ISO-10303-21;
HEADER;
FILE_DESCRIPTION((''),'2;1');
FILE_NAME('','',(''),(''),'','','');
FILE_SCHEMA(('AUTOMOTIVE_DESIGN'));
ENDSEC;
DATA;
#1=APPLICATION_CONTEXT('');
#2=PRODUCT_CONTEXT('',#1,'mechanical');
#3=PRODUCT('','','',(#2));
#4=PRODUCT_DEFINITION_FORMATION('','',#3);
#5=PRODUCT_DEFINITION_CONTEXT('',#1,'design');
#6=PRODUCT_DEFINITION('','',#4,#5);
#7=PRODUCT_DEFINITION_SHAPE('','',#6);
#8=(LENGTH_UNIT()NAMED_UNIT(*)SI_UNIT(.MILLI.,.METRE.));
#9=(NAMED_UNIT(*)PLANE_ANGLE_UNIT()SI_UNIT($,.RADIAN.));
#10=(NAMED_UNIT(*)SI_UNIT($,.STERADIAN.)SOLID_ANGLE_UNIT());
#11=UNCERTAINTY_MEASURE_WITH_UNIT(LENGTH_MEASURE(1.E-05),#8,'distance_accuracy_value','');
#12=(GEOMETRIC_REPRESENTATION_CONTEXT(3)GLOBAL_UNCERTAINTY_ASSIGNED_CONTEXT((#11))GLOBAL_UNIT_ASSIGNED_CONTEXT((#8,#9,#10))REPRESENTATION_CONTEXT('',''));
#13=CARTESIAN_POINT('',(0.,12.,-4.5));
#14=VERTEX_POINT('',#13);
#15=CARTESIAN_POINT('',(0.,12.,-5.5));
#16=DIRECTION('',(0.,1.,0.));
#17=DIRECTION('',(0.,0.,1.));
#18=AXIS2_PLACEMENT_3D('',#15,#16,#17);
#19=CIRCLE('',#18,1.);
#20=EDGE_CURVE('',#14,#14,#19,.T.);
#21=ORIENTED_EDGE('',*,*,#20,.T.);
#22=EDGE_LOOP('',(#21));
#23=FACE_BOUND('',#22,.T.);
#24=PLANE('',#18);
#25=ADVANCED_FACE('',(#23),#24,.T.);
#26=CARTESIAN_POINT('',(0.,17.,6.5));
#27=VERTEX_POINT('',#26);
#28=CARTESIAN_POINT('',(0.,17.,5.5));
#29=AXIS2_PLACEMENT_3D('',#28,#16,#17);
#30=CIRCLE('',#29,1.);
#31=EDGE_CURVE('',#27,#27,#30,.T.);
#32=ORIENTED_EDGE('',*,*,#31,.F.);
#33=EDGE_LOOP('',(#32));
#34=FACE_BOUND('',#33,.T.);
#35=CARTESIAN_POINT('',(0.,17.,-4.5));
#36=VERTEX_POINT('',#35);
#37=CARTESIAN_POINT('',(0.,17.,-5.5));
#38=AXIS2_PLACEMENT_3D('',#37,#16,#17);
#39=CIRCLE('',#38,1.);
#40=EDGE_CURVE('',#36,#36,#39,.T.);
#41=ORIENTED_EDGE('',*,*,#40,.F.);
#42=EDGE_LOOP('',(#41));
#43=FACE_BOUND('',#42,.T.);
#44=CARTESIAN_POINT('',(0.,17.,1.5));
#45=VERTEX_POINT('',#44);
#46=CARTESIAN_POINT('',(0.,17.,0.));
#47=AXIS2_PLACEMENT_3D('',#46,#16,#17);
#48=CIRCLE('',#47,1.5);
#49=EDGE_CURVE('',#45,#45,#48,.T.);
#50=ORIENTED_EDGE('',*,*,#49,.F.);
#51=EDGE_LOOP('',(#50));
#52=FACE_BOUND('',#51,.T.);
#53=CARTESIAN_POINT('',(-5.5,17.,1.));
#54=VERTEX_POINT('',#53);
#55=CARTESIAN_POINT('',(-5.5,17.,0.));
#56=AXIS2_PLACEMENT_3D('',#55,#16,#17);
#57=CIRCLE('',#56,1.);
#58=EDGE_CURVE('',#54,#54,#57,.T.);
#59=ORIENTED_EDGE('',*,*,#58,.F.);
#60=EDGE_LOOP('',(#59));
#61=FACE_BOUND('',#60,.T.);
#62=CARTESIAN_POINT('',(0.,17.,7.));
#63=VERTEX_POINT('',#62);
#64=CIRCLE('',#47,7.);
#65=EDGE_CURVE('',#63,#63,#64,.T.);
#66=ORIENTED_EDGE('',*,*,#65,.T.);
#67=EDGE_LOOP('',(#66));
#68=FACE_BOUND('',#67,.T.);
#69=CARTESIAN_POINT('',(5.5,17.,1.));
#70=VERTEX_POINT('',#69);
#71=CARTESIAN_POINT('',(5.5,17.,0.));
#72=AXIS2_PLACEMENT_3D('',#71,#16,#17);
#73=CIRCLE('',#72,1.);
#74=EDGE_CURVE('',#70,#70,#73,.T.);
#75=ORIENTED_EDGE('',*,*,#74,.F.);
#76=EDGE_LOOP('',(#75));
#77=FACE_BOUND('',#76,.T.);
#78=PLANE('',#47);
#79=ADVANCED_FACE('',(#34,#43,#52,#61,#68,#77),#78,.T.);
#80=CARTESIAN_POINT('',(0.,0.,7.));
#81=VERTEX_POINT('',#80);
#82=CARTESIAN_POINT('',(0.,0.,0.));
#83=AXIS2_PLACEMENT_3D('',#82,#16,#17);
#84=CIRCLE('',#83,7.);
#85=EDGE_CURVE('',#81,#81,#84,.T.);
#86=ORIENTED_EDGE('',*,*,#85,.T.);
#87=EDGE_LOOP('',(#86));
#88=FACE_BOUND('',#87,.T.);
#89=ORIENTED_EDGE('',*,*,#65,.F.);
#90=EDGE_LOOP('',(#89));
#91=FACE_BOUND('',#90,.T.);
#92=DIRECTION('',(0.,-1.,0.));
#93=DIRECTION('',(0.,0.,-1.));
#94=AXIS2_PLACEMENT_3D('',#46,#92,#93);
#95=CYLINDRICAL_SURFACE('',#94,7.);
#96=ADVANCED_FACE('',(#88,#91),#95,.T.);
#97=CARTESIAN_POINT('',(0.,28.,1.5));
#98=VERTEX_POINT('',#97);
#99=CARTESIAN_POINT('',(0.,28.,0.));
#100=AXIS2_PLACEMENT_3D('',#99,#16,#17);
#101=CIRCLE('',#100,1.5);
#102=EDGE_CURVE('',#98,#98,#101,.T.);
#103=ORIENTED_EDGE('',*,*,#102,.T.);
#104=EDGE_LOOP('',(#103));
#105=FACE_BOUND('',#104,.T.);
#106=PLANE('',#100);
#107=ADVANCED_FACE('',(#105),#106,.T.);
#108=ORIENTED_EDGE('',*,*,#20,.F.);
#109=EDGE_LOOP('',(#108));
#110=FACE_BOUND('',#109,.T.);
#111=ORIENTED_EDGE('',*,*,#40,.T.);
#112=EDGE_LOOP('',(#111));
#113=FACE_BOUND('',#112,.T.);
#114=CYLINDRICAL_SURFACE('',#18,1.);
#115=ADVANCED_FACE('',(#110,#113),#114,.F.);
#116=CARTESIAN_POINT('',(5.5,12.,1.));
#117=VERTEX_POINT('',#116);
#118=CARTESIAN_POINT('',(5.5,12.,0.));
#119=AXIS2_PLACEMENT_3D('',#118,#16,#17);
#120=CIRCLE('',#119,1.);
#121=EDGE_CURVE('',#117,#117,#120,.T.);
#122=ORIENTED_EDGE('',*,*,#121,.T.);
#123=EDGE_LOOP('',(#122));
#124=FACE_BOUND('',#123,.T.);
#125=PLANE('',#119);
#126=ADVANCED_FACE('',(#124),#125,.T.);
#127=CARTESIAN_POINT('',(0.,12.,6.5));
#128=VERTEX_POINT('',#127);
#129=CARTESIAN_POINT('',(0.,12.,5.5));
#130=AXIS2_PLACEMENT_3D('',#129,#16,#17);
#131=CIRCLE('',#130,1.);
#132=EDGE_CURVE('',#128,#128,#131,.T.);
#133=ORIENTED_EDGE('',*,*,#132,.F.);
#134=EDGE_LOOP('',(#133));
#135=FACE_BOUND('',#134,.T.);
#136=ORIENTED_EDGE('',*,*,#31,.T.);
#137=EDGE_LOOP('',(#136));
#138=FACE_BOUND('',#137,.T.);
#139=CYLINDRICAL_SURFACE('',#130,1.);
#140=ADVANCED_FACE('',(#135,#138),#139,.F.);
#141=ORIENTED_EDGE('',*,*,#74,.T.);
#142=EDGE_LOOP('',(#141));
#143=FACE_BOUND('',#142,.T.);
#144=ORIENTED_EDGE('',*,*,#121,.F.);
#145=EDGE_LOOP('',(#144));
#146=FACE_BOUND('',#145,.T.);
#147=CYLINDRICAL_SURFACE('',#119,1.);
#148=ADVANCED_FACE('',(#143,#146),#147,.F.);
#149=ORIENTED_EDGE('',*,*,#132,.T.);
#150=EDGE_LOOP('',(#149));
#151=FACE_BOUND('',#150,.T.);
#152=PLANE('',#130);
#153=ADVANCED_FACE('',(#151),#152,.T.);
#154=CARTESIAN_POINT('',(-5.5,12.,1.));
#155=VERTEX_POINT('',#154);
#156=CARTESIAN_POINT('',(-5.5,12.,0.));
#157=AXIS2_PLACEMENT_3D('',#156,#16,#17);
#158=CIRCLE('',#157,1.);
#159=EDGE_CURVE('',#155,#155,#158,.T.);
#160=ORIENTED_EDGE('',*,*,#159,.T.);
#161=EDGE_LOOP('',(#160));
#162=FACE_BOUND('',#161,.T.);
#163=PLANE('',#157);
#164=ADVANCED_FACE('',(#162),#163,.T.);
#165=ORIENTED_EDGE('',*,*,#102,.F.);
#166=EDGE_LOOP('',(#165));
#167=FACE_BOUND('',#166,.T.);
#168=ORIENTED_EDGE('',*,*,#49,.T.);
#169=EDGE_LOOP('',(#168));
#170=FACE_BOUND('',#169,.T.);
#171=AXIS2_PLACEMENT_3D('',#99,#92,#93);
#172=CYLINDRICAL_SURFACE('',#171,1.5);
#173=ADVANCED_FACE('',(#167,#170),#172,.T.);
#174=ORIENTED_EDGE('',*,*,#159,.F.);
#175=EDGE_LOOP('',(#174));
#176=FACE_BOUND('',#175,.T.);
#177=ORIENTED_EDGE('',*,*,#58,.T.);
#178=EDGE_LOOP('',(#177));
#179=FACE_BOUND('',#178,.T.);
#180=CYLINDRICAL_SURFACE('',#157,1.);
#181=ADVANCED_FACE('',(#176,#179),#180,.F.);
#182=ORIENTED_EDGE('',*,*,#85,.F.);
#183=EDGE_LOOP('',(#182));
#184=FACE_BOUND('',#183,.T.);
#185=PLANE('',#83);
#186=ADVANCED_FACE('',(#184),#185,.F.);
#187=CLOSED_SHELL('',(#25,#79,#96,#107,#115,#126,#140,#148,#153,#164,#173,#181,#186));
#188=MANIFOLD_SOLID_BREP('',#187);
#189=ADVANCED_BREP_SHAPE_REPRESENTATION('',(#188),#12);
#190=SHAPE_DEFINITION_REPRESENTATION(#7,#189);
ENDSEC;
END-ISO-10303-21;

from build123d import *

# Parameters (mm, degrees)
SKETCH_1_R          = 7
EXTRUDE_1_DEPTH     = 17
SKETCH_2_R          = 1.5
EXTRUDE_3_DEPTH     = 11
SKETCH_4_R          = 1
CUT_EXTRUDE_1_DEPTH = 5


with BuildPart() as part:
    # 草图1 → 凸台-拉伸1 (new body)
    with BuildSketch(Plane(origin=(0, 0, 0), x_dir=(1, 0, 0), z_dir=(0, 1, 0))):
        with Locations(Location((0, 0, 0), (0, 0, 270))):
            Circle(SKETCH_1_R)
    extrude(amount=EXTRUDE_1_DEPTH)

    # 草图2 → 凸台-拉伸3 (add)
    with BuildSketch(Plane(origin=(0, 17, 0), x_dir=(1, 0, 0), z_dir=(0, 1, 0))):
        with Locations(Location((0, 0, 0), (0, 0, 270))):
            Circle(SKETCH_2_R)
    extrude(amount=EXTRUDE_3_DEPTH)

    # 草图4 → 切除-拉伸1 (cut)
    with BuildSketch(Plane(origin=(0, 17, 0), x_dir=(1, 0, 0), z_dir=(0, 1, 0))):
        with Locations(Location((0, -5.5, 0), (0, 0, 270))):
            Circle(SKETCH_4_R)
        with Locations(Location((-5.5, 0, 0), (0, 0, 270))):
            Circle(SKETCH_4_R)
        with Locations(Location((0, 5.5, 0), (0, 0, 270))):
            Circle(SKETCH_4_R)
        with Locations(Location((5.5, 0, 0), (0, 0, 270))):
            Circle(SKETCH_4_R)
    extrude(amount=-CUT_EXTRUDE_1_DEPTH, mode=Mode.SUBTRACT)


solid = part.part
